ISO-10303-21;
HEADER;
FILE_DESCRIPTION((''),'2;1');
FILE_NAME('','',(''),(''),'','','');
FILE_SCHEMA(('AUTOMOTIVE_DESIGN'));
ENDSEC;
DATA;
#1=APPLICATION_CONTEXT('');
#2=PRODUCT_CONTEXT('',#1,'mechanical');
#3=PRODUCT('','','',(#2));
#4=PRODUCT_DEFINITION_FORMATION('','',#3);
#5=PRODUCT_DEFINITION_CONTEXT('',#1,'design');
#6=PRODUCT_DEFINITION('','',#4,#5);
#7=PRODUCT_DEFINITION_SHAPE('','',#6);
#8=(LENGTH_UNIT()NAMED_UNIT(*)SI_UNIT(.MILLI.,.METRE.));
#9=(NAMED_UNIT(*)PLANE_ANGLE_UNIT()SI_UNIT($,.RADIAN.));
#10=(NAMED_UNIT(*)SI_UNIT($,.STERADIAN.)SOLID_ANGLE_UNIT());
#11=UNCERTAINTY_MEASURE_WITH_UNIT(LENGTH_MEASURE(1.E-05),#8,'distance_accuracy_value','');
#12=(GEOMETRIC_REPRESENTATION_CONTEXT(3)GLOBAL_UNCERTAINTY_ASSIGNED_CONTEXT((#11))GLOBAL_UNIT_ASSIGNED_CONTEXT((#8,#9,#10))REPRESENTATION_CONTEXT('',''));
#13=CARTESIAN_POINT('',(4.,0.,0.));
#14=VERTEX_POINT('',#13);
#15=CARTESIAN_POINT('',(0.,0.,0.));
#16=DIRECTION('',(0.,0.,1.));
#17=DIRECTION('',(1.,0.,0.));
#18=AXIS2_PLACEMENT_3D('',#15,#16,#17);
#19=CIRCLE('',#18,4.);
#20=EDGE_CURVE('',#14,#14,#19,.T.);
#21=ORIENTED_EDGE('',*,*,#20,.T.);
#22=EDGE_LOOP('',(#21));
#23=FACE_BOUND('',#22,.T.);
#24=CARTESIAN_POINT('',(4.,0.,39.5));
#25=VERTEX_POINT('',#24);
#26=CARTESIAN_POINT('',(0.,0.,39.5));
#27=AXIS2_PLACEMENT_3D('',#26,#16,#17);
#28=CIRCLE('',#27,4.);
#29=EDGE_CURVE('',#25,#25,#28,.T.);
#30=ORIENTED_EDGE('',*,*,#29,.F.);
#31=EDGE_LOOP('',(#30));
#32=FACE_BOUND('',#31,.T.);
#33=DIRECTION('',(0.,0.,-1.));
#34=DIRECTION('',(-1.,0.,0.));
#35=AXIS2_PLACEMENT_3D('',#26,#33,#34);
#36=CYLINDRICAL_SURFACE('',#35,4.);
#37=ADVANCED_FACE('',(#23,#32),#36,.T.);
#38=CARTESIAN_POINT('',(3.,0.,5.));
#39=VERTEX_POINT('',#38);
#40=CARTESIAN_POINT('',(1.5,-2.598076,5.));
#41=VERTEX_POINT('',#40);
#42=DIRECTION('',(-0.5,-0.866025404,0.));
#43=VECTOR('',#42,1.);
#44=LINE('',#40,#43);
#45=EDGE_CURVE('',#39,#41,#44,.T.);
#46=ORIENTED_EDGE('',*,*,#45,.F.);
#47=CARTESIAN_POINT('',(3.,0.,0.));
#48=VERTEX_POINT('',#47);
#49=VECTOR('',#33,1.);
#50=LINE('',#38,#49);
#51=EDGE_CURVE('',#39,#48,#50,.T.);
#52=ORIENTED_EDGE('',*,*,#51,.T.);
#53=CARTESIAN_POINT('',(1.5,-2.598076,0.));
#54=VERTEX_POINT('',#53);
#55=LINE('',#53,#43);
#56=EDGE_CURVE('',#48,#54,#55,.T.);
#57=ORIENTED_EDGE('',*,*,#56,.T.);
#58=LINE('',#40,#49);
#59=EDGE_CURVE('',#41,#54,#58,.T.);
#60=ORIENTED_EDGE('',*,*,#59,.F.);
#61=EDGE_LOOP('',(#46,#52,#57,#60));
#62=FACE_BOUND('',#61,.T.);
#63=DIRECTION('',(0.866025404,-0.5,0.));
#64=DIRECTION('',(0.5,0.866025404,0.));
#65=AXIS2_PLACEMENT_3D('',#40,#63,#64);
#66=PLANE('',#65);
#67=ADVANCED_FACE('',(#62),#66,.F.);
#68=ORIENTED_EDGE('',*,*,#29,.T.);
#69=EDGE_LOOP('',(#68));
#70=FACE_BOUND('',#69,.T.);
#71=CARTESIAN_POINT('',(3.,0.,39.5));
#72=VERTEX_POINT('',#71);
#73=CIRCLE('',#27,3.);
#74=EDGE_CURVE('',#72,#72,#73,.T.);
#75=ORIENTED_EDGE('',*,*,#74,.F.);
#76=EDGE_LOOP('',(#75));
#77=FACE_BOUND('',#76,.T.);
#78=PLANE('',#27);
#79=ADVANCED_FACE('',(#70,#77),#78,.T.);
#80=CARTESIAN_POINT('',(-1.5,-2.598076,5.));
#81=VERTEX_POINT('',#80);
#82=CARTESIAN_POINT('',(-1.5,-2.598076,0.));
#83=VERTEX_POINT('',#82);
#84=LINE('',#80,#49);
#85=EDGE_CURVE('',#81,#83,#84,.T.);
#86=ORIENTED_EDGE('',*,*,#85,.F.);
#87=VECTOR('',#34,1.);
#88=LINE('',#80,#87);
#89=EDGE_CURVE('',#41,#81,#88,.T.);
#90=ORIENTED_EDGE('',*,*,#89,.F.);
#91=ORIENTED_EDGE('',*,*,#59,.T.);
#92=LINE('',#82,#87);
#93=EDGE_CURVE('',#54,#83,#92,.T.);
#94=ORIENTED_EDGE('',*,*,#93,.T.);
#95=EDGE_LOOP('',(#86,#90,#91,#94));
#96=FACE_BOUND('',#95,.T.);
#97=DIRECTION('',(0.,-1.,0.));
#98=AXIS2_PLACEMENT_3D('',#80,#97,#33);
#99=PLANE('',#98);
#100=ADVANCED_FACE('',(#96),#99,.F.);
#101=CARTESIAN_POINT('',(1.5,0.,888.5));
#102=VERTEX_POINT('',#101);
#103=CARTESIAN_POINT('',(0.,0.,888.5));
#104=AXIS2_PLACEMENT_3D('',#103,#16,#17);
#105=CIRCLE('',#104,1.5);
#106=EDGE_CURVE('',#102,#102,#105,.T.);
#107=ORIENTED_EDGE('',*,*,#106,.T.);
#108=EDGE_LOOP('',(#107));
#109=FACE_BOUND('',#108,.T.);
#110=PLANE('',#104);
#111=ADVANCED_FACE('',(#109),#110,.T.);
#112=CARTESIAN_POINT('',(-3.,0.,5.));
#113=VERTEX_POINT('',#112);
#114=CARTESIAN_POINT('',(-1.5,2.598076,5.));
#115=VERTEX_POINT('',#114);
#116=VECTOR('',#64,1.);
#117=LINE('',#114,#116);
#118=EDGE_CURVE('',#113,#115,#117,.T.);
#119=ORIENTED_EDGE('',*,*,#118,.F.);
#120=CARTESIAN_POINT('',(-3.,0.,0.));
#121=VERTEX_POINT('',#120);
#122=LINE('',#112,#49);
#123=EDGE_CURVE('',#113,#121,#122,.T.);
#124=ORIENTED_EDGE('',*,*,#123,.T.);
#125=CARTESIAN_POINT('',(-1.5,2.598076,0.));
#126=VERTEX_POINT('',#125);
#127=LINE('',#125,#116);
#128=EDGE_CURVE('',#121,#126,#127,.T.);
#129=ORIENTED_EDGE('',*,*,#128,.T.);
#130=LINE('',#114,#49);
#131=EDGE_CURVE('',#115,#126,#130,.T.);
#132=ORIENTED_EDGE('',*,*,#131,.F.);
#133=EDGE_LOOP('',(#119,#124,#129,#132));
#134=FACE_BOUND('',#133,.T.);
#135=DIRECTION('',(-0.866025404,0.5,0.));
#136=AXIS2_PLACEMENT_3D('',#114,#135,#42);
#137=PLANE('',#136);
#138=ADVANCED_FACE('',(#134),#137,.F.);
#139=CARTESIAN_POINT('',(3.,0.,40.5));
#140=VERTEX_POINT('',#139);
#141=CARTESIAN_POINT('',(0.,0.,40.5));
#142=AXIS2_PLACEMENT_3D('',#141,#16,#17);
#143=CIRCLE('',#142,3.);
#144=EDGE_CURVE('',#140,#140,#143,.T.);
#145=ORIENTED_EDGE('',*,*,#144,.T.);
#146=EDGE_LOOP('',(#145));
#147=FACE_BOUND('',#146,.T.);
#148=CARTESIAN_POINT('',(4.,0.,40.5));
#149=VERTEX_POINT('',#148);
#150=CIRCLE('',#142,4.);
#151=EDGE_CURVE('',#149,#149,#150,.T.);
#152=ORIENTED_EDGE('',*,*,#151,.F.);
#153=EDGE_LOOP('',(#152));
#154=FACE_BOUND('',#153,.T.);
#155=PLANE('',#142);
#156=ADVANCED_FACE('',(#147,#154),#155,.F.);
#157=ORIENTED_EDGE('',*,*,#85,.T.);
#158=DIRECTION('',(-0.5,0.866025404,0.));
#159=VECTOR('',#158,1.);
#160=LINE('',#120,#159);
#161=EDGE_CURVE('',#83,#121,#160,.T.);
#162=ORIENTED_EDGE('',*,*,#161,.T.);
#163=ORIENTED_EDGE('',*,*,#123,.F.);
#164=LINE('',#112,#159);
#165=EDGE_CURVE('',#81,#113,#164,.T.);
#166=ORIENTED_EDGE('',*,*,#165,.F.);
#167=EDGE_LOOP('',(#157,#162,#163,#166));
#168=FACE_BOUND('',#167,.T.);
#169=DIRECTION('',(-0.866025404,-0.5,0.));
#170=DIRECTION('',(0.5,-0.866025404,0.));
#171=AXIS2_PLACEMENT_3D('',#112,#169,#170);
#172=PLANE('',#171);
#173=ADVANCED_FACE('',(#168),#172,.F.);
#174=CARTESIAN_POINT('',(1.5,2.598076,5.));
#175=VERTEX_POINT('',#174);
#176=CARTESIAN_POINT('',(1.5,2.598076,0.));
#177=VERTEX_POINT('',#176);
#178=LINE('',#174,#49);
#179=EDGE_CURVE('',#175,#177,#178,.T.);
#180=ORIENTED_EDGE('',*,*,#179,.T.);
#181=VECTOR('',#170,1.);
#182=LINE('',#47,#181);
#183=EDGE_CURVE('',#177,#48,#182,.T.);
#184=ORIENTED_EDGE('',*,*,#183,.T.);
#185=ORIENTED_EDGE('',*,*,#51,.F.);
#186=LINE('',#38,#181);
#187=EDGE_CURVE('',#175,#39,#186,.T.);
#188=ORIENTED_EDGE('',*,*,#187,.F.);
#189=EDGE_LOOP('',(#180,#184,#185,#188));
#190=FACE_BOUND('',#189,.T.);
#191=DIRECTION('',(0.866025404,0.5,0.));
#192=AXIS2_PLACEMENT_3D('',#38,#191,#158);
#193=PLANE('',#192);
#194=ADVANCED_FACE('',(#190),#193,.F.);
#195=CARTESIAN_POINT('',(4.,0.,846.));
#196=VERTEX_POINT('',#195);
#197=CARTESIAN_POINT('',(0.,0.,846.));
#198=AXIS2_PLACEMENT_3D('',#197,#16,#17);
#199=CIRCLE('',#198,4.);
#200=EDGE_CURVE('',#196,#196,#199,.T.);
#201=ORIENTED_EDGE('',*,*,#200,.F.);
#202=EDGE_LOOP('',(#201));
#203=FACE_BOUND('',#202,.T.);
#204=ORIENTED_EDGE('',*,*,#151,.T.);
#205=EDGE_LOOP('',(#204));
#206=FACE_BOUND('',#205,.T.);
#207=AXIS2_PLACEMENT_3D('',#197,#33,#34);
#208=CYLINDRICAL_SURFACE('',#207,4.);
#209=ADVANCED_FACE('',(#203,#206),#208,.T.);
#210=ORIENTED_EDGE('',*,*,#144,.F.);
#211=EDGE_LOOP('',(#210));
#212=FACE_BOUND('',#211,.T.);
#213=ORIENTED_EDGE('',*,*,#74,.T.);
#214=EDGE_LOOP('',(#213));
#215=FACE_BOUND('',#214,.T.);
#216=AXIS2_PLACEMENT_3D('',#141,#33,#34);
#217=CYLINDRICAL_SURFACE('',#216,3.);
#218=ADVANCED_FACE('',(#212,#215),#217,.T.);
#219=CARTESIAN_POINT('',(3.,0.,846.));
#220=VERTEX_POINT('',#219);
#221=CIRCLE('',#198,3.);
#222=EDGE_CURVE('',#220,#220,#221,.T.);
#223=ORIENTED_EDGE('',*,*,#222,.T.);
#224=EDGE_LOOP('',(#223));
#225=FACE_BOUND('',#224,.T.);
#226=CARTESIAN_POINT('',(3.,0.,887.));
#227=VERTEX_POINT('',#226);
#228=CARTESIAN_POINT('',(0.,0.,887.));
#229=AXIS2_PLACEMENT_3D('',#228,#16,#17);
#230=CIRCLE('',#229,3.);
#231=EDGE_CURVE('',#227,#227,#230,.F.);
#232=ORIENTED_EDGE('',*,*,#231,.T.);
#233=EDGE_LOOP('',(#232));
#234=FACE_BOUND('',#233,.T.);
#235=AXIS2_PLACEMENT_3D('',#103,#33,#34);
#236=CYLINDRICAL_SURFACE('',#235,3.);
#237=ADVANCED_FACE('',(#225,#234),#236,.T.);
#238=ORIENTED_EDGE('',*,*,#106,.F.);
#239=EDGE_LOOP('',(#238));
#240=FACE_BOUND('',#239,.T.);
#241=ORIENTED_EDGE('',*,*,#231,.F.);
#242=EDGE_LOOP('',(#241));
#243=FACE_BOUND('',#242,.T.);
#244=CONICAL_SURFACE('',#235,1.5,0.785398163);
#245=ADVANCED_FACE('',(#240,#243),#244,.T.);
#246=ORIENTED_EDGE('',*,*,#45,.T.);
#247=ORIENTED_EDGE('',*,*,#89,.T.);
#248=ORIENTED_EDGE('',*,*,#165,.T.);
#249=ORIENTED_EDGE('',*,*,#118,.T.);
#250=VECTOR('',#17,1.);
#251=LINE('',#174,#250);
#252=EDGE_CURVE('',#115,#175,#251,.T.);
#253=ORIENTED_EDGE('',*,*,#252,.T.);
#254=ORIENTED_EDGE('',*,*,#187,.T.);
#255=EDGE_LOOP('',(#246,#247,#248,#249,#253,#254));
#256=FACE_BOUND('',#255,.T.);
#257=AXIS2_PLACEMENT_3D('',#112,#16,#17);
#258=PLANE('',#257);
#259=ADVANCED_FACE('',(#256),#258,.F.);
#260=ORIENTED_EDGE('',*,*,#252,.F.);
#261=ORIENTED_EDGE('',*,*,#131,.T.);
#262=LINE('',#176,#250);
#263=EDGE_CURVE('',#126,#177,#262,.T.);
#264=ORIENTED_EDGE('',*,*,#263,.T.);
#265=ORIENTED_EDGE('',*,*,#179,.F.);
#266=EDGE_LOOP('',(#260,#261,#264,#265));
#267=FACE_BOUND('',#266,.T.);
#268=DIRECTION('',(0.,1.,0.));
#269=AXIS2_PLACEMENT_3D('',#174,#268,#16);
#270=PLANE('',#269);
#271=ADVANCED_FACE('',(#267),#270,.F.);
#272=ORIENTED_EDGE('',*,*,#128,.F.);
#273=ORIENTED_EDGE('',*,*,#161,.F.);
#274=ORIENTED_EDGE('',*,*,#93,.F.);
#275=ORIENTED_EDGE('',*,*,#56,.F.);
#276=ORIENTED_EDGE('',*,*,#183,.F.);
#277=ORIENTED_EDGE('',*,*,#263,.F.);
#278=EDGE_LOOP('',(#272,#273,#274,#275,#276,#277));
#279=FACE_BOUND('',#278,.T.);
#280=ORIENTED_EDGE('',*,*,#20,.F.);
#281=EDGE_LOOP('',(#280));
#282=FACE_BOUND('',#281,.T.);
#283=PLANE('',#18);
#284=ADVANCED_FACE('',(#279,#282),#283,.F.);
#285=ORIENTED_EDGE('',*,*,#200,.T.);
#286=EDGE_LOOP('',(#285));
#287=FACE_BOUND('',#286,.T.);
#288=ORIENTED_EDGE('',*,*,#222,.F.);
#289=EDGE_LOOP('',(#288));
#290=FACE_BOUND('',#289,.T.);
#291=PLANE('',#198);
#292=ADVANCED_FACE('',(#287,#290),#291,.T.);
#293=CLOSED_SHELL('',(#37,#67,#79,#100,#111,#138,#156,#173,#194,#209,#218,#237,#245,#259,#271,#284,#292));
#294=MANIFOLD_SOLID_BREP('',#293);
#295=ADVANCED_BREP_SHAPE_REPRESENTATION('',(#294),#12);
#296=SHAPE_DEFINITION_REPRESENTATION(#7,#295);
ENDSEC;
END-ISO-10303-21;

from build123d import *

# Parameters (mm, degrees)
SKETCH_1_R          = 4
EXTRUDE_1_DEPTH     = 39.5
SKETCH_2_R          = 3
EXTRUDE_2_DEPTH     = 1
SKETCH_3_R          = 4
EXTRUDE_3_DEPTH     = 805.5
SKETCH_4_R          = 3
EXTRUDE_4_DEPTH     = 42.5
CUT_EXTRUDE_1_DEPTH = 5
CHAMFER_1_SIZE      = 1.5


with BuildPart() as part:
    # 草图1 → 凸台-拉伸1 (new body)
    with BuildSketch(Plane.XY):
        Circle(SKETCH_1_R)
    extrude(amount=EXTRUDE_1_DEPTH)

    # 草图2 → 凸台-拉伸2 (add)
    with BuildSketch(Plane.XY.offset(39.5)):
        Circle(SKETCH_2_R)
    extrude(amount=EXTRUDE_2_DEPTH)

    # 草图3 → 凸台-拉伸3 (add)
    with BuildSketch(Plane.XY.offset(40.5)):
        Circle(SKETCH_3_R)
    extrude(amount=EXTRUDE_3_DEPTH)

    # 草图4 → 凸台-拉伸4 (add)
    with BuildSketch(Plane.XY.offset(846)):
        Circle(SKETCH_4_R)
    extrude(amount=EXTRUDE_4_DEPTH)

    # 草图7 → 切除-拉伸1 (cut)
    with BuildSketch(Plane(origin=(0, 0, 0), x_dir=(-1, 0, 0), z_dir=(0, 0, -1))):
        Polygon((3, 0), (1.5, -2.598076211), (-1.5, -2.598076211), (-3, 0), (-1.5, 2.598076211), (1.5, 2.598076211), align=None)
    extrude(amount=-CUT_EXTRUDE_1_DEPTH, mode=Mode.SUBTRACT)

    # 倒角1
    chamfer_1_edges = [part.edges().sort_by_distance(p)[0] for p in [
        (-3, 0, 888.5),
    ]]
    chamfer(chamfer_1_edges, length=CHAMFER_1_SIZE)


solid = part.part
